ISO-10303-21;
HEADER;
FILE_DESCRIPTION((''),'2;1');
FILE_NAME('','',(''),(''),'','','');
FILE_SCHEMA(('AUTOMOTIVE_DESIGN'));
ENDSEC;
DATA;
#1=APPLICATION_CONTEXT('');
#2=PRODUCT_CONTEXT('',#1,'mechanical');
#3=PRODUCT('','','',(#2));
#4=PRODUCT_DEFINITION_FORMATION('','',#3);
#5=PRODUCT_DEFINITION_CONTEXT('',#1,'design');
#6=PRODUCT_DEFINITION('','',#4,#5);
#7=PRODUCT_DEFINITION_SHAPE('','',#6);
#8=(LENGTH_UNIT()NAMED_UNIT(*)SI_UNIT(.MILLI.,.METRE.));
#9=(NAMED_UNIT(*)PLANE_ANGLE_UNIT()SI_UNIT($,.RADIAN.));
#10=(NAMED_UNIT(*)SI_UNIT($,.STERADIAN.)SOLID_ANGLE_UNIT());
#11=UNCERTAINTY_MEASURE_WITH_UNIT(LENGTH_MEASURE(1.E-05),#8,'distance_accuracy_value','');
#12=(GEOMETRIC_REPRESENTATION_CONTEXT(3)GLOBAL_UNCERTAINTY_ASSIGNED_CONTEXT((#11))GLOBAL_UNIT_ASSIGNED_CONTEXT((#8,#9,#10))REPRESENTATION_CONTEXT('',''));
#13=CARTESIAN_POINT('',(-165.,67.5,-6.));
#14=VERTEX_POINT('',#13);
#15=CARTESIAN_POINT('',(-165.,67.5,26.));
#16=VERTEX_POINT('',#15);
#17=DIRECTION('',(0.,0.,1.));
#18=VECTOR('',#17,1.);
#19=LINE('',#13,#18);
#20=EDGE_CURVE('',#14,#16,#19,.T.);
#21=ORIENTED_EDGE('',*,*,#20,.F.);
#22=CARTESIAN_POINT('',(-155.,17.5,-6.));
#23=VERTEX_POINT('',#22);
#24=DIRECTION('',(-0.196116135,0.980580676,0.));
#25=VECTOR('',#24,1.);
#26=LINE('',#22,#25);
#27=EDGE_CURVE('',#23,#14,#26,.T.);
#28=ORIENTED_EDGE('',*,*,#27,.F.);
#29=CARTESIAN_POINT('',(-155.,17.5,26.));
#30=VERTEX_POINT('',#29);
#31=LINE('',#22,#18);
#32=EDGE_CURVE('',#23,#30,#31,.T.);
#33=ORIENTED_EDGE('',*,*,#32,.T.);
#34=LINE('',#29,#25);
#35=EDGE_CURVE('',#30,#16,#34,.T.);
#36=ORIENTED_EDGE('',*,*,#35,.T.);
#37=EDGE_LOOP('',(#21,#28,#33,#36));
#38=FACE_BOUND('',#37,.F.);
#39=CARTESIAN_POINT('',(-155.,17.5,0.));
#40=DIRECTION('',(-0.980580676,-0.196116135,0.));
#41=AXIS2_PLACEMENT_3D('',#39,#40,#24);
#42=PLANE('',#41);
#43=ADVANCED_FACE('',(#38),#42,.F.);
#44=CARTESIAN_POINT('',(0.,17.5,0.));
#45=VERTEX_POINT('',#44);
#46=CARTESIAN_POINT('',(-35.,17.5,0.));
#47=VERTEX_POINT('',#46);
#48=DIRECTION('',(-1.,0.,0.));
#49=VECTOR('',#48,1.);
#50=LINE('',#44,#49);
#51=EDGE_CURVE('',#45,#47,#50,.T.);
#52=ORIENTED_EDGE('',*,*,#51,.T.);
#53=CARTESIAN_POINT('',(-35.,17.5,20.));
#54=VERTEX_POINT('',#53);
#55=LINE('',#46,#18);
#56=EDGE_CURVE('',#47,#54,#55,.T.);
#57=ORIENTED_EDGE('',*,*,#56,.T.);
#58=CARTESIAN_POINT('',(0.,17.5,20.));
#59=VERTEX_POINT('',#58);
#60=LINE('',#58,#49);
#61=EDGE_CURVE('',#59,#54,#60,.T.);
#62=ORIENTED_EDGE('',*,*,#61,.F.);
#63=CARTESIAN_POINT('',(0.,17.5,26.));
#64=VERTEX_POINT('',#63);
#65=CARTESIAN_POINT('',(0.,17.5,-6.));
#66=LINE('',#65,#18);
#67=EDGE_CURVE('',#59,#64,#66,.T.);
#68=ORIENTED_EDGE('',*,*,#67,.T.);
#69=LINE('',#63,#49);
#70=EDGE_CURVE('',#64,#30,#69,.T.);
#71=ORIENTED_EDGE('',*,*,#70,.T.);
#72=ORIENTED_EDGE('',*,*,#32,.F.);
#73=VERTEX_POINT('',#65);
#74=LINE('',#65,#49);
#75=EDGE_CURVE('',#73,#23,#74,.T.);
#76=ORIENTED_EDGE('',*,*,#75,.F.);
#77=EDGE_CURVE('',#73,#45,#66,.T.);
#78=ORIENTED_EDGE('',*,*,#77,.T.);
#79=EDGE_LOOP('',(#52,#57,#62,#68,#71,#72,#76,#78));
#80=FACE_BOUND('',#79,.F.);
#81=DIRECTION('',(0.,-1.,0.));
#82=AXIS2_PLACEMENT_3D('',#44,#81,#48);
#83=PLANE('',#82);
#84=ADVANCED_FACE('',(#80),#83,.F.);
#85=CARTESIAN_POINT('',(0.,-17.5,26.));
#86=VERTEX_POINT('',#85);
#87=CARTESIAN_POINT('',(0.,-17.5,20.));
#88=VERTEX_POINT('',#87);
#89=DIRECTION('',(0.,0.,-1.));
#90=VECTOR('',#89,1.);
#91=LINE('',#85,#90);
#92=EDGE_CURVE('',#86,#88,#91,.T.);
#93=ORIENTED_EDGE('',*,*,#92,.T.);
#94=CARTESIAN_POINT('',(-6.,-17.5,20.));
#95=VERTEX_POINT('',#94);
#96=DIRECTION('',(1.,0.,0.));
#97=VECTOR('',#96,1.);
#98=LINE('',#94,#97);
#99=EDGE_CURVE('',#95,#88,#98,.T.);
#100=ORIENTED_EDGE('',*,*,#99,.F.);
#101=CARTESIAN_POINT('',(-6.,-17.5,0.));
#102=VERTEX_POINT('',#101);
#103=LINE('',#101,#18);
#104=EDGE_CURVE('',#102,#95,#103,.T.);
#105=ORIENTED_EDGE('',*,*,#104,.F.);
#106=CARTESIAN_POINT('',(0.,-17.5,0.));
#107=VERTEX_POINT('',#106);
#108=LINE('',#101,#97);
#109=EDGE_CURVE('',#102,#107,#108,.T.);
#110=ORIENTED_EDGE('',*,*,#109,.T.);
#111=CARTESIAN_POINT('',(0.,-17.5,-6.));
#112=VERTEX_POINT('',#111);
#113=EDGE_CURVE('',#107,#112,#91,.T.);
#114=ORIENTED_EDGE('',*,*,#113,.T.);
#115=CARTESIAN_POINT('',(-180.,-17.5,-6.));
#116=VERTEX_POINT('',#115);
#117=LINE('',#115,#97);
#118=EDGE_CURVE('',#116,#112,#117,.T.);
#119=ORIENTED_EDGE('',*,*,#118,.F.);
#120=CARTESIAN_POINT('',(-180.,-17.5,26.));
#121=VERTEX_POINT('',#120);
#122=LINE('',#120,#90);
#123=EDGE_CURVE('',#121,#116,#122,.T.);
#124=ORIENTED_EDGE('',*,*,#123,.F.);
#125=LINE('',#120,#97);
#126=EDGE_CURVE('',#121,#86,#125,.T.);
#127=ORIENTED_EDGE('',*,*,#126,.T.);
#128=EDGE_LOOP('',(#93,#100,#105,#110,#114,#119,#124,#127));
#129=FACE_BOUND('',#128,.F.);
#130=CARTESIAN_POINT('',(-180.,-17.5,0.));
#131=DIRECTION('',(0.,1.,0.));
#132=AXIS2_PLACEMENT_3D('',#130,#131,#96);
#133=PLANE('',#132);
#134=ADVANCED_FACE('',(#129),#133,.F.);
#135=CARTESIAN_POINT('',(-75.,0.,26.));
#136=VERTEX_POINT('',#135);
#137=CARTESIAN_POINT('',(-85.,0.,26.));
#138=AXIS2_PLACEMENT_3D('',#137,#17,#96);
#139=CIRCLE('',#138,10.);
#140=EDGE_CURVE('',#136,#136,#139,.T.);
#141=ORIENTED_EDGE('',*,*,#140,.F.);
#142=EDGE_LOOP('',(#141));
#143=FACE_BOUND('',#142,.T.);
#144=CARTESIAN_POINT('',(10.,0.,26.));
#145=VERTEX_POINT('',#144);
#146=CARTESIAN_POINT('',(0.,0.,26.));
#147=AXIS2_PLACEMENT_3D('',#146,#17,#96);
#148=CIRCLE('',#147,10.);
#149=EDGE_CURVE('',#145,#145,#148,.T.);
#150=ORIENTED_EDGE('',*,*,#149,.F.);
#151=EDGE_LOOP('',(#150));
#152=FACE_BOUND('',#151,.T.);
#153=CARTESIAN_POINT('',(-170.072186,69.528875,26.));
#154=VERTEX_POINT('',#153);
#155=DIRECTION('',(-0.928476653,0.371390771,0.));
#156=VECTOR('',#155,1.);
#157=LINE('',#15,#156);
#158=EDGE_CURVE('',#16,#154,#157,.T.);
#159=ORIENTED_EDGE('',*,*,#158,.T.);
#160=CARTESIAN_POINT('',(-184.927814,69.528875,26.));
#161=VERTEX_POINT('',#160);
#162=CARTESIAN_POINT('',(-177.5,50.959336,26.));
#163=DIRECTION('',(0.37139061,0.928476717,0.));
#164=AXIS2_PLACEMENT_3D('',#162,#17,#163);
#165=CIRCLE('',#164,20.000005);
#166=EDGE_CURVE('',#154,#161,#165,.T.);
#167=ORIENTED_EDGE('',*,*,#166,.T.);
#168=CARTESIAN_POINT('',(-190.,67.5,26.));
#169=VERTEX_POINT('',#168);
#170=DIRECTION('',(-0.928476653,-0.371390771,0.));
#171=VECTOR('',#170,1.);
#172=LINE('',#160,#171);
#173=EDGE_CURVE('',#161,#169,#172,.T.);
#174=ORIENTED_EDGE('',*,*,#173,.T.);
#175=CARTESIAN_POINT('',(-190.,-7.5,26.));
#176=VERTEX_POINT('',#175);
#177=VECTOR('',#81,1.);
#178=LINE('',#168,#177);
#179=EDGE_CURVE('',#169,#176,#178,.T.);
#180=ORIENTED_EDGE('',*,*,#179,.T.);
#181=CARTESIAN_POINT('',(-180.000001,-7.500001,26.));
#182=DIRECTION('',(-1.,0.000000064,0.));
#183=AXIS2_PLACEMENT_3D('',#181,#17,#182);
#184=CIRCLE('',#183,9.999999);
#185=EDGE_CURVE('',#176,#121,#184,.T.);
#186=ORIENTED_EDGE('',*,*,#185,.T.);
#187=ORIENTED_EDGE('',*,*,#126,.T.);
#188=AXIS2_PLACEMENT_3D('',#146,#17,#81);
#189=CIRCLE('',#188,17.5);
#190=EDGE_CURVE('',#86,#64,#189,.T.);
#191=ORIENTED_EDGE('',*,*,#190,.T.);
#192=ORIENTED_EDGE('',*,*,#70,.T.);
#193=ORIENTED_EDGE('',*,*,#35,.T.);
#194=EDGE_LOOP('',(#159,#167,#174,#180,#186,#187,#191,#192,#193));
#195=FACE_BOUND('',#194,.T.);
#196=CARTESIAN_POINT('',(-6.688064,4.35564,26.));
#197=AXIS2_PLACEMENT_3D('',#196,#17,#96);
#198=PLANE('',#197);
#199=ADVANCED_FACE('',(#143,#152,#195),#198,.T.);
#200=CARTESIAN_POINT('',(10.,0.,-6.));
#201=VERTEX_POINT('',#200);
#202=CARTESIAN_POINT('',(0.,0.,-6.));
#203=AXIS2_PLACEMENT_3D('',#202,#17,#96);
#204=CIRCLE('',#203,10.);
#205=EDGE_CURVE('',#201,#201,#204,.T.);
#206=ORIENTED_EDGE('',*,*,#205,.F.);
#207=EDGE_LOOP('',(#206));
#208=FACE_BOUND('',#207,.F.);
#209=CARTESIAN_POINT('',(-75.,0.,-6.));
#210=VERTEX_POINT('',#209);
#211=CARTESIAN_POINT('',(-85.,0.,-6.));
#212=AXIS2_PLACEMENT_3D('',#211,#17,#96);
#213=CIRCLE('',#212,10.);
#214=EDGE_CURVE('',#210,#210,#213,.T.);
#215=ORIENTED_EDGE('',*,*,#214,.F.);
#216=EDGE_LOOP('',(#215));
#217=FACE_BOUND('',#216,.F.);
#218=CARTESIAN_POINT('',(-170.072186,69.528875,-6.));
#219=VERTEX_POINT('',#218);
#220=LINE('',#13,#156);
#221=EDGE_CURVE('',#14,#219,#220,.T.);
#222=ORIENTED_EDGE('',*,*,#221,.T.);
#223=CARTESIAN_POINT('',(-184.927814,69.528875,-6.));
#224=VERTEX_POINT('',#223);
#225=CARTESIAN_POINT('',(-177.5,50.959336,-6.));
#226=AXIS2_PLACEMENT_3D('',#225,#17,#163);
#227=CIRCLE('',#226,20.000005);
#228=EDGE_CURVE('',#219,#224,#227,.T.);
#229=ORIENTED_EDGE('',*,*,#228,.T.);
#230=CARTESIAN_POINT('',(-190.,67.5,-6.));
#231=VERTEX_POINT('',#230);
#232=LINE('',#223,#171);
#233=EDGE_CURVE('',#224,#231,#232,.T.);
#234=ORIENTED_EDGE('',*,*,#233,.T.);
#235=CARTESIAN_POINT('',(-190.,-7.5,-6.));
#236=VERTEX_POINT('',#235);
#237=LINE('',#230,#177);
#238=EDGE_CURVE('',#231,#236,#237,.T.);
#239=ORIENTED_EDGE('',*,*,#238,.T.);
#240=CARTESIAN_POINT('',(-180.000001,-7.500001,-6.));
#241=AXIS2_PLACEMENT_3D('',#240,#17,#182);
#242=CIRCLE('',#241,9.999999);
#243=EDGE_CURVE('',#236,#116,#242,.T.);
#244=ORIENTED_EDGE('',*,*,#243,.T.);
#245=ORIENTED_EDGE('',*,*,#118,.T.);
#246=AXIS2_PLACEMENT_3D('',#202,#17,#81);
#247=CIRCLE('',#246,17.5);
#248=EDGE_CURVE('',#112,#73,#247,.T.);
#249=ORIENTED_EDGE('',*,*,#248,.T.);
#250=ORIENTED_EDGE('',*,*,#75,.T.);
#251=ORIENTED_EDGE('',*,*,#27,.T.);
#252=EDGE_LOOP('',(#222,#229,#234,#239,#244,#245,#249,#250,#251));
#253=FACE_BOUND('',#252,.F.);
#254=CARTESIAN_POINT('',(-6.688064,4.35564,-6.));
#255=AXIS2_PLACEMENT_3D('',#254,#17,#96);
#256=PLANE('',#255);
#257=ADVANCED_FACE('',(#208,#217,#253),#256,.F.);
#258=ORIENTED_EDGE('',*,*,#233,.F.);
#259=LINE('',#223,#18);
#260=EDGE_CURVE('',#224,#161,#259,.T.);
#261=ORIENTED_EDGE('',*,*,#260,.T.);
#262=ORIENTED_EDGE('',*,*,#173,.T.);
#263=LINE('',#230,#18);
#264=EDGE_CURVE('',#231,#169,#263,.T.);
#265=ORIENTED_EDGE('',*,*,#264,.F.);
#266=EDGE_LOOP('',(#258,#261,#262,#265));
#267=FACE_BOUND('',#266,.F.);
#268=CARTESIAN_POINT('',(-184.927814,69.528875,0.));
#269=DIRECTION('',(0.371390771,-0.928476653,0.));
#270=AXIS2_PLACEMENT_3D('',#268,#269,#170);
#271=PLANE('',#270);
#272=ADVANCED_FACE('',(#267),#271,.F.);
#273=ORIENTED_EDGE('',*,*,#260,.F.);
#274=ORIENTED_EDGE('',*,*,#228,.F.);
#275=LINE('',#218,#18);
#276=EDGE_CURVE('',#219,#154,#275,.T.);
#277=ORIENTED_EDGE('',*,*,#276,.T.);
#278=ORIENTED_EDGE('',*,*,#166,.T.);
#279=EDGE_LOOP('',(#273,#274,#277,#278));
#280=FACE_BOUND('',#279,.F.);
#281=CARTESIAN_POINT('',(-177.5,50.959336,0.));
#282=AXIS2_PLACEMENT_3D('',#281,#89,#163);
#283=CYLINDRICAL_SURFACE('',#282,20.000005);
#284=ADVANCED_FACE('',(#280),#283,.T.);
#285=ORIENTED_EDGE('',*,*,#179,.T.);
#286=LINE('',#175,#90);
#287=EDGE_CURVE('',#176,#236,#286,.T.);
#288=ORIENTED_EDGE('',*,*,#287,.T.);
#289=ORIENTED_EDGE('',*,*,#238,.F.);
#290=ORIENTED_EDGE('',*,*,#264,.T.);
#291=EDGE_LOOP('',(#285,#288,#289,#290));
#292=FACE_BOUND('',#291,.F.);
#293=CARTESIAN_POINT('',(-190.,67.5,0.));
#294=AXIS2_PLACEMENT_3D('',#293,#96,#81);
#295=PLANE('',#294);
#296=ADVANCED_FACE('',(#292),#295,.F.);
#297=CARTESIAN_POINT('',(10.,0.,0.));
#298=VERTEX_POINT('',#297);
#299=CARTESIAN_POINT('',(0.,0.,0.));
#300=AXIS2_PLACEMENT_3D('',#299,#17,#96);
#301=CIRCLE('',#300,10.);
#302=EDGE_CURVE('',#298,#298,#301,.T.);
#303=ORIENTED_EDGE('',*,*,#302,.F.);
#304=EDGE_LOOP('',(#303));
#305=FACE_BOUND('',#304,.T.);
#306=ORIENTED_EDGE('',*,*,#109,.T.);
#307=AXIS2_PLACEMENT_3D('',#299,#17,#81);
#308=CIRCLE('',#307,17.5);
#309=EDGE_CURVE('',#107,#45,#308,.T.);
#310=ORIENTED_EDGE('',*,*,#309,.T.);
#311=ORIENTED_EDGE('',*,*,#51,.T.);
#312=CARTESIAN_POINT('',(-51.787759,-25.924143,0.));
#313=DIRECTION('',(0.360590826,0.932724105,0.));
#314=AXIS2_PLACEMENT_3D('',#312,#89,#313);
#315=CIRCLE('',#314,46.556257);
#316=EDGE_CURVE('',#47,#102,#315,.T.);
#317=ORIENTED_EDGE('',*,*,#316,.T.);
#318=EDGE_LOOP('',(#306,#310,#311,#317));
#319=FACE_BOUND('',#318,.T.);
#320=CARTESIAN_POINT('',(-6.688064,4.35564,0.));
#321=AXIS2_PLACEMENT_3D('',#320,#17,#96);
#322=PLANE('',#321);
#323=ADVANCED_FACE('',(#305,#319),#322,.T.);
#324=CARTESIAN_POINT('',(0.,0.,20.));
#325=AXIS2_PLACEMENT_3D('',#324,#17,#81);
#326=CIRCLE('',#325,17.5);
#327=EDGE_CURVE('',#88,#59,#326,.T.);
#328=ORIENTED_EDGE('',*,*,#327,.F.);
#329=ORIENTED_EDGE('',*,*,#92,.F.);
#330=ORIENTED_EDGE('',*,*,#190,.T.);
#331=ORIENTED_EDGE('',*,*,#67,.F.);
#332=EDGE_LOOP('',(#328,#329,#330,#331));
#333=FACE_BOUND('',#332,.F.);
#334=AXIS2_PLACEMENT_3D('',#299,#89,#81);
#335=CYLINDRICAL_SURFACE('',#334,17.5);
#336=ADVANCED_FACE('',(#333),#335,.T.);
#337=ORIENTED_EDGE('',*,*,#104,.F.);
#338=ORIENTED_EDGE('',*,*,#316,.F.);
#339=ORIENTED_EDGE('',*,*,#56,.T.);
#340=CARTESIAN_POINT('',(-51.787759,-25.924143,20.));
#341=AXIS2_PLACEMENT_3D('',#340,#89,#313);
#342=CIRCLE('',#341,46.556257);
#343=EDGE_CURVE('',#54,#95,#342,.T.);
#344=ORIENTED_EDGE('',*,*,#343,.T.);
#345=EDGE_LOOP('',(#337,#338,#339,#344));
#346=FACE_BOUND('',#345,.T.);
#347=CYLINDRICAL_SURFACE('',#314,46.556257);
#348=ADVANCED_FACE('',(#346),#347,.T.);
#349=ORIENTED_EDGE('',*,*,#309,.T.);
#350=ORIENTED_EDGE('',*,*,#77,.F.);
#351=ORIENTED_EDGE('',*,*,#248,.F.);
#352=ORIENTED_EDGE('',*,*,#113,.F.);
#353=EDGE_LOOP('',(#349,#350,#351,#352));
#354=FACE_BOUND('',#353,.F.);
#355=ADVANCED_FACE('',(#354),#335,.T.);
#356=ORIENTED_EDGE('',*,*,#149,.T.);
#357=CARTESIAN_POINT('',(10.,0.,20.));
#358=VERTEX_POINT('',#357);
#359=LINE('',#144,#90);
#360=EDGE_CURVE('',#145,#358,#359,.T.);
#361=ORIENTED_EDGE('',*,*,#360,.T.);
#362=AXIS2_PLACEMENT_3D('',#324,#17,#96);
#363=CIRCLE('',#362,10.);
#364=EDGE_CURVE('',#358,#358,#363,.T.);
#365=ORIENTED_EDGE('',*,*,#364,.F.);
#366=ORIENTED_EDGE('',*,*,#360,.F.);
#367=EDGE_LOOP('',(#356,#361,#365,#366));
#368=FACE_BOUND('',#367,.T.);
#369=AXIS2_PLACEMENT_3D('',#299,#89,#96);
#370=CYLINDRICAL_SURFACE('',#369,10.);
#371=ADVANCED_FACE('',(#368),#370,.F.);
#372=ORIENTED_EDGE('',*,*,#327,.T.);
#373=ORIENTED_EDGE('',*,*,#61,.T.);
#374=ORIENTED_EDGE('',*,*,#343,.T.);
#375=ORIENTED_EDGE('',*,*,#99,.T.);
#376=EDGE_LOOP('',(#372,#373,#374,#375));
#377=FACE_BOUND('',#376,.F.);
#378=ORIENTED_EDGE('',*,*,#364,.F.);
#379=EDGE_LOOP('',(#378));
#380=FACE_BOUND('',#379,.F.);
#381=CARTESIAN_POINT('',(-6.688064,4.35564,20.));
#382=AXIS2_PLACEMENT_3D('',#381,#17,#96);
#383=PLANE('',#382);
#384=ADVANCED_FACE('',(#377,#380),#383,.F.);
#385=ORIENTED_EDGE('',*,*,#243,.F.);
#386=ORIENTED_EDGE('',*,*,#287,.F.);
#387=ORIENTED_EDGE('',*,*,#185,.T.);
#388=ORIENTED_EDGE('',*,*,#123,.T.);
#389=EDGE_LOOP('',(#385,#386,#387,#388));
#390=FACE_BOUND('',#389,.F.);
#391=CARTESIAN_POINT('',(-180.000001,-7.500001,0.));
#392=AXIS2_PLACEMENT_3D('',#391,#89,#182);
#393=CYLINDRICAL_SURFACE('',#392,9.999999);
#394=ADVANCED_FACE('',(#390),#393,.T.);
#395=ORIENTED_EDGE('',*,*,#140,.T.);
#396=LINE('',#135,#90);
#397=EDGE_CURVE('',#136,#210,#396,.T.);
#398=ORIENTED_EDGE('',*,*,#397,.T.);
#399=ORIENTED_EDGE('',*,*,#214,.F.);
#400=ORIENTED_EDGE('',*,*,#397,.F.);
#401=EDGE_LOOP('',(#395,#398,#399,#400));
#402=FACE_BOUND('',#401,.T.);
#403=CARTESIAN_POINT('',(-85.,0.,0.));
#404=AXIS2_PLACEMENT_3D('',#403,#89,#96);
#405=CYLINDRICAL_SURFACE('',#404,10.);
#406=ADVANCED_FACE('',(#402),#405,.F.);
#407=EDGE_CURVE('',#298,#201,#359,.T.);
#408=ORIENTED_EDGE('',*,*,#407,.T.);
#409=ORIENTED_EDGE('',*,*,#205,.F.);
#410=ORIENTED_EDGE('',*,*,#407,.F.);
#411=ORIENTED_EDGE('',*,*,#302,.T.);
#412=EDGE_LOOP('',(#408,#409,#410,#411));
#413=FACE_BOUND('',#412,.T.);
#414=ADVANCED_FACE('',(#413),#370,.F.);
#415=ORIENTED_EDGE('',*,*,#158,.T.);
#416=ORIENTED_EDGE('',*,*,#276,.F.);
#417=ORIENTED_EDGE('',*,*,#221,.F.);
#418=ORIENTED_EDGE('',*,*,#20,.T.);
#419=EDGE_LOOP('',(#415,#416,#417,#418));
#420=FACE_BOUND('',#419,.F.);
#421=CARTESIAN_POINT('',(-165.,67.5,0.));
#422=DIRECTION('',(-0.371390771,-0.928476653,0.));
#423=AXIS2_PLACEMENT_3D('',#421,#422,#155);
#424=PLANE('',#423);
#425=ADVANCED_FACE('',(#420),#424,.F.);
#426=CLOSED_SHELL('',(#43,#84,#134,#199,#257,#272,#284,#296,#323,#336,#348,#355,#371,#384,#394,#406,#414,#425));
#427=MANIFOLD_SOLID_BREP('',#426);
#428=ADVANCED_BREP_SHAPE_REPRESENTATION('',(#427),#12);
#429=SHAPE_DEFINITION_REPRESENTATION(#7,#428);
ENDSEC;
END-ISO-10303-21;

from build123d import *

# Parameters (mm, degrees)
F0_R     = 10
F1_DEPTH = 6
F2_DEPTH = 26
F3_DEPTH = 20


with BuildPart() as f1:
    # F0 (on Top) → F1 (new body)
    with BuildSketch(Plane.XY):
        with BuildLine():
            Line((-6, -17.5), (0, -17.5))
            ThreePointArc((0, -17.5), (17.5, 0), (0, 17.5))
            Line((0, 17.5), (-35, 17.5))
            ThreePointArc((-35, 17.5), (-15.938437, 3.77958), (-6, -17.5))
        make_face()
        Circle(F0_R, mode=Mode.SUBTRACT)
        with BuildLine():
            Line((-180, -17.5), (-6, -17.5))
            ThreePointArc((-6, -17.5), (-15.938437, 3.77958), (-35, 17.5))
            Line((-35, 17.5), (-155, 17.5))
            Line((-155, 17.5), (-165, 67.5))
            Line((-165, 67.5), (-190, 67.5))
            Line((-190, 67.5), (-190, -7.5))
            ThreePointArc((-190, -7.5), (-187.071068, -14.571068), (-180, -17.5))
        make_face()
        with Locations((-85, 0)):
            Circle(F0_R, mode=Mode.SUBTRACT)
        with BuildLine():
            Line((-190, 67.5), (-165, 67.5))
            Line((-165, 67.5), (-170.072186, 69.528875))
            ThreePointArc((-170.072186, 69.528875), (-177.5, 70.959341), (-184.927814, 69.528875))
            Line((-184.927814, 69.528875), (-190, 67.5))
        make_face()
    extrude(amount=-F1_DEPTH)

    # F0 (on Top) → F2 (join)
    with BuildSketch(Plane.XY):
        with BuildLine():
            Line((-6, -17.5), (0, -17.5))
            ThreePointArc((0, -17.5), (17.5, 0), (0, 17.5))
            Line((0, 17.5), (-35, 17.5))
            ThreePointArc((-35, 17.5), (-15.938437, 3.77958), (-6, -17.5))
        make_face()
        Circle(F0_R, mode=Mode.SUBTRACT)
        with BuildLine():
            Line((-180, -17.5), (-6, -17.5))
            ThreePointArc((-6, -17.5), (-15.938437, 3.77958), (-35, 17.5))
            Line((-35, 17.5), (-155, 17.5))
            Line((-155, 17.5), (-165, 67.5))
            Line((-165, 67.5), (-190, 67.5))
            Line((-190, 67.5), (-190, -7.5))
            ThreePointArc((-190, -7.5), (-187.071068, -14.571068), (-180, -17.5))
        make_face()
        with Locations((-85, 0)):
            Circle(F0_R, mode=Mode.SUBTRACT)
        with BuildLine():
            Line((-190, 67.5), (-165, 67.5))
            Line((-165, 67.5), (-170.072186, 69.528875))
            ThreePointArc((-170.072186, 69.528875), (-177.5, 70.959341), (-184.927814, 69.528875))
            Line((-184.927814, 69.528875), (-190, 67.5))
        make_face()
    extrude(amount=F2_DEPTH)

    # F0 (on Top) → F3 (cut)
    with BuildSketch(Plane.XY):
        with BuildLine():
            Line((-6, -17.5), (0, -17.5))
            ThreePointArc((0, -17.5), (17.5, 0), (0, 17.5))
            Line((0, 17.5), (-35, 17.5))
            ThreePointArc((-35, 17.5), (-15.938437, 3.77958), (-6, -17.5))
        make_face()
        Circle(F0_R, mode=Mode.SUBTRACT)
    extrude(amount=F3_DEPTH, mode=Mode.SUBTRACT)


solid = f1.part
